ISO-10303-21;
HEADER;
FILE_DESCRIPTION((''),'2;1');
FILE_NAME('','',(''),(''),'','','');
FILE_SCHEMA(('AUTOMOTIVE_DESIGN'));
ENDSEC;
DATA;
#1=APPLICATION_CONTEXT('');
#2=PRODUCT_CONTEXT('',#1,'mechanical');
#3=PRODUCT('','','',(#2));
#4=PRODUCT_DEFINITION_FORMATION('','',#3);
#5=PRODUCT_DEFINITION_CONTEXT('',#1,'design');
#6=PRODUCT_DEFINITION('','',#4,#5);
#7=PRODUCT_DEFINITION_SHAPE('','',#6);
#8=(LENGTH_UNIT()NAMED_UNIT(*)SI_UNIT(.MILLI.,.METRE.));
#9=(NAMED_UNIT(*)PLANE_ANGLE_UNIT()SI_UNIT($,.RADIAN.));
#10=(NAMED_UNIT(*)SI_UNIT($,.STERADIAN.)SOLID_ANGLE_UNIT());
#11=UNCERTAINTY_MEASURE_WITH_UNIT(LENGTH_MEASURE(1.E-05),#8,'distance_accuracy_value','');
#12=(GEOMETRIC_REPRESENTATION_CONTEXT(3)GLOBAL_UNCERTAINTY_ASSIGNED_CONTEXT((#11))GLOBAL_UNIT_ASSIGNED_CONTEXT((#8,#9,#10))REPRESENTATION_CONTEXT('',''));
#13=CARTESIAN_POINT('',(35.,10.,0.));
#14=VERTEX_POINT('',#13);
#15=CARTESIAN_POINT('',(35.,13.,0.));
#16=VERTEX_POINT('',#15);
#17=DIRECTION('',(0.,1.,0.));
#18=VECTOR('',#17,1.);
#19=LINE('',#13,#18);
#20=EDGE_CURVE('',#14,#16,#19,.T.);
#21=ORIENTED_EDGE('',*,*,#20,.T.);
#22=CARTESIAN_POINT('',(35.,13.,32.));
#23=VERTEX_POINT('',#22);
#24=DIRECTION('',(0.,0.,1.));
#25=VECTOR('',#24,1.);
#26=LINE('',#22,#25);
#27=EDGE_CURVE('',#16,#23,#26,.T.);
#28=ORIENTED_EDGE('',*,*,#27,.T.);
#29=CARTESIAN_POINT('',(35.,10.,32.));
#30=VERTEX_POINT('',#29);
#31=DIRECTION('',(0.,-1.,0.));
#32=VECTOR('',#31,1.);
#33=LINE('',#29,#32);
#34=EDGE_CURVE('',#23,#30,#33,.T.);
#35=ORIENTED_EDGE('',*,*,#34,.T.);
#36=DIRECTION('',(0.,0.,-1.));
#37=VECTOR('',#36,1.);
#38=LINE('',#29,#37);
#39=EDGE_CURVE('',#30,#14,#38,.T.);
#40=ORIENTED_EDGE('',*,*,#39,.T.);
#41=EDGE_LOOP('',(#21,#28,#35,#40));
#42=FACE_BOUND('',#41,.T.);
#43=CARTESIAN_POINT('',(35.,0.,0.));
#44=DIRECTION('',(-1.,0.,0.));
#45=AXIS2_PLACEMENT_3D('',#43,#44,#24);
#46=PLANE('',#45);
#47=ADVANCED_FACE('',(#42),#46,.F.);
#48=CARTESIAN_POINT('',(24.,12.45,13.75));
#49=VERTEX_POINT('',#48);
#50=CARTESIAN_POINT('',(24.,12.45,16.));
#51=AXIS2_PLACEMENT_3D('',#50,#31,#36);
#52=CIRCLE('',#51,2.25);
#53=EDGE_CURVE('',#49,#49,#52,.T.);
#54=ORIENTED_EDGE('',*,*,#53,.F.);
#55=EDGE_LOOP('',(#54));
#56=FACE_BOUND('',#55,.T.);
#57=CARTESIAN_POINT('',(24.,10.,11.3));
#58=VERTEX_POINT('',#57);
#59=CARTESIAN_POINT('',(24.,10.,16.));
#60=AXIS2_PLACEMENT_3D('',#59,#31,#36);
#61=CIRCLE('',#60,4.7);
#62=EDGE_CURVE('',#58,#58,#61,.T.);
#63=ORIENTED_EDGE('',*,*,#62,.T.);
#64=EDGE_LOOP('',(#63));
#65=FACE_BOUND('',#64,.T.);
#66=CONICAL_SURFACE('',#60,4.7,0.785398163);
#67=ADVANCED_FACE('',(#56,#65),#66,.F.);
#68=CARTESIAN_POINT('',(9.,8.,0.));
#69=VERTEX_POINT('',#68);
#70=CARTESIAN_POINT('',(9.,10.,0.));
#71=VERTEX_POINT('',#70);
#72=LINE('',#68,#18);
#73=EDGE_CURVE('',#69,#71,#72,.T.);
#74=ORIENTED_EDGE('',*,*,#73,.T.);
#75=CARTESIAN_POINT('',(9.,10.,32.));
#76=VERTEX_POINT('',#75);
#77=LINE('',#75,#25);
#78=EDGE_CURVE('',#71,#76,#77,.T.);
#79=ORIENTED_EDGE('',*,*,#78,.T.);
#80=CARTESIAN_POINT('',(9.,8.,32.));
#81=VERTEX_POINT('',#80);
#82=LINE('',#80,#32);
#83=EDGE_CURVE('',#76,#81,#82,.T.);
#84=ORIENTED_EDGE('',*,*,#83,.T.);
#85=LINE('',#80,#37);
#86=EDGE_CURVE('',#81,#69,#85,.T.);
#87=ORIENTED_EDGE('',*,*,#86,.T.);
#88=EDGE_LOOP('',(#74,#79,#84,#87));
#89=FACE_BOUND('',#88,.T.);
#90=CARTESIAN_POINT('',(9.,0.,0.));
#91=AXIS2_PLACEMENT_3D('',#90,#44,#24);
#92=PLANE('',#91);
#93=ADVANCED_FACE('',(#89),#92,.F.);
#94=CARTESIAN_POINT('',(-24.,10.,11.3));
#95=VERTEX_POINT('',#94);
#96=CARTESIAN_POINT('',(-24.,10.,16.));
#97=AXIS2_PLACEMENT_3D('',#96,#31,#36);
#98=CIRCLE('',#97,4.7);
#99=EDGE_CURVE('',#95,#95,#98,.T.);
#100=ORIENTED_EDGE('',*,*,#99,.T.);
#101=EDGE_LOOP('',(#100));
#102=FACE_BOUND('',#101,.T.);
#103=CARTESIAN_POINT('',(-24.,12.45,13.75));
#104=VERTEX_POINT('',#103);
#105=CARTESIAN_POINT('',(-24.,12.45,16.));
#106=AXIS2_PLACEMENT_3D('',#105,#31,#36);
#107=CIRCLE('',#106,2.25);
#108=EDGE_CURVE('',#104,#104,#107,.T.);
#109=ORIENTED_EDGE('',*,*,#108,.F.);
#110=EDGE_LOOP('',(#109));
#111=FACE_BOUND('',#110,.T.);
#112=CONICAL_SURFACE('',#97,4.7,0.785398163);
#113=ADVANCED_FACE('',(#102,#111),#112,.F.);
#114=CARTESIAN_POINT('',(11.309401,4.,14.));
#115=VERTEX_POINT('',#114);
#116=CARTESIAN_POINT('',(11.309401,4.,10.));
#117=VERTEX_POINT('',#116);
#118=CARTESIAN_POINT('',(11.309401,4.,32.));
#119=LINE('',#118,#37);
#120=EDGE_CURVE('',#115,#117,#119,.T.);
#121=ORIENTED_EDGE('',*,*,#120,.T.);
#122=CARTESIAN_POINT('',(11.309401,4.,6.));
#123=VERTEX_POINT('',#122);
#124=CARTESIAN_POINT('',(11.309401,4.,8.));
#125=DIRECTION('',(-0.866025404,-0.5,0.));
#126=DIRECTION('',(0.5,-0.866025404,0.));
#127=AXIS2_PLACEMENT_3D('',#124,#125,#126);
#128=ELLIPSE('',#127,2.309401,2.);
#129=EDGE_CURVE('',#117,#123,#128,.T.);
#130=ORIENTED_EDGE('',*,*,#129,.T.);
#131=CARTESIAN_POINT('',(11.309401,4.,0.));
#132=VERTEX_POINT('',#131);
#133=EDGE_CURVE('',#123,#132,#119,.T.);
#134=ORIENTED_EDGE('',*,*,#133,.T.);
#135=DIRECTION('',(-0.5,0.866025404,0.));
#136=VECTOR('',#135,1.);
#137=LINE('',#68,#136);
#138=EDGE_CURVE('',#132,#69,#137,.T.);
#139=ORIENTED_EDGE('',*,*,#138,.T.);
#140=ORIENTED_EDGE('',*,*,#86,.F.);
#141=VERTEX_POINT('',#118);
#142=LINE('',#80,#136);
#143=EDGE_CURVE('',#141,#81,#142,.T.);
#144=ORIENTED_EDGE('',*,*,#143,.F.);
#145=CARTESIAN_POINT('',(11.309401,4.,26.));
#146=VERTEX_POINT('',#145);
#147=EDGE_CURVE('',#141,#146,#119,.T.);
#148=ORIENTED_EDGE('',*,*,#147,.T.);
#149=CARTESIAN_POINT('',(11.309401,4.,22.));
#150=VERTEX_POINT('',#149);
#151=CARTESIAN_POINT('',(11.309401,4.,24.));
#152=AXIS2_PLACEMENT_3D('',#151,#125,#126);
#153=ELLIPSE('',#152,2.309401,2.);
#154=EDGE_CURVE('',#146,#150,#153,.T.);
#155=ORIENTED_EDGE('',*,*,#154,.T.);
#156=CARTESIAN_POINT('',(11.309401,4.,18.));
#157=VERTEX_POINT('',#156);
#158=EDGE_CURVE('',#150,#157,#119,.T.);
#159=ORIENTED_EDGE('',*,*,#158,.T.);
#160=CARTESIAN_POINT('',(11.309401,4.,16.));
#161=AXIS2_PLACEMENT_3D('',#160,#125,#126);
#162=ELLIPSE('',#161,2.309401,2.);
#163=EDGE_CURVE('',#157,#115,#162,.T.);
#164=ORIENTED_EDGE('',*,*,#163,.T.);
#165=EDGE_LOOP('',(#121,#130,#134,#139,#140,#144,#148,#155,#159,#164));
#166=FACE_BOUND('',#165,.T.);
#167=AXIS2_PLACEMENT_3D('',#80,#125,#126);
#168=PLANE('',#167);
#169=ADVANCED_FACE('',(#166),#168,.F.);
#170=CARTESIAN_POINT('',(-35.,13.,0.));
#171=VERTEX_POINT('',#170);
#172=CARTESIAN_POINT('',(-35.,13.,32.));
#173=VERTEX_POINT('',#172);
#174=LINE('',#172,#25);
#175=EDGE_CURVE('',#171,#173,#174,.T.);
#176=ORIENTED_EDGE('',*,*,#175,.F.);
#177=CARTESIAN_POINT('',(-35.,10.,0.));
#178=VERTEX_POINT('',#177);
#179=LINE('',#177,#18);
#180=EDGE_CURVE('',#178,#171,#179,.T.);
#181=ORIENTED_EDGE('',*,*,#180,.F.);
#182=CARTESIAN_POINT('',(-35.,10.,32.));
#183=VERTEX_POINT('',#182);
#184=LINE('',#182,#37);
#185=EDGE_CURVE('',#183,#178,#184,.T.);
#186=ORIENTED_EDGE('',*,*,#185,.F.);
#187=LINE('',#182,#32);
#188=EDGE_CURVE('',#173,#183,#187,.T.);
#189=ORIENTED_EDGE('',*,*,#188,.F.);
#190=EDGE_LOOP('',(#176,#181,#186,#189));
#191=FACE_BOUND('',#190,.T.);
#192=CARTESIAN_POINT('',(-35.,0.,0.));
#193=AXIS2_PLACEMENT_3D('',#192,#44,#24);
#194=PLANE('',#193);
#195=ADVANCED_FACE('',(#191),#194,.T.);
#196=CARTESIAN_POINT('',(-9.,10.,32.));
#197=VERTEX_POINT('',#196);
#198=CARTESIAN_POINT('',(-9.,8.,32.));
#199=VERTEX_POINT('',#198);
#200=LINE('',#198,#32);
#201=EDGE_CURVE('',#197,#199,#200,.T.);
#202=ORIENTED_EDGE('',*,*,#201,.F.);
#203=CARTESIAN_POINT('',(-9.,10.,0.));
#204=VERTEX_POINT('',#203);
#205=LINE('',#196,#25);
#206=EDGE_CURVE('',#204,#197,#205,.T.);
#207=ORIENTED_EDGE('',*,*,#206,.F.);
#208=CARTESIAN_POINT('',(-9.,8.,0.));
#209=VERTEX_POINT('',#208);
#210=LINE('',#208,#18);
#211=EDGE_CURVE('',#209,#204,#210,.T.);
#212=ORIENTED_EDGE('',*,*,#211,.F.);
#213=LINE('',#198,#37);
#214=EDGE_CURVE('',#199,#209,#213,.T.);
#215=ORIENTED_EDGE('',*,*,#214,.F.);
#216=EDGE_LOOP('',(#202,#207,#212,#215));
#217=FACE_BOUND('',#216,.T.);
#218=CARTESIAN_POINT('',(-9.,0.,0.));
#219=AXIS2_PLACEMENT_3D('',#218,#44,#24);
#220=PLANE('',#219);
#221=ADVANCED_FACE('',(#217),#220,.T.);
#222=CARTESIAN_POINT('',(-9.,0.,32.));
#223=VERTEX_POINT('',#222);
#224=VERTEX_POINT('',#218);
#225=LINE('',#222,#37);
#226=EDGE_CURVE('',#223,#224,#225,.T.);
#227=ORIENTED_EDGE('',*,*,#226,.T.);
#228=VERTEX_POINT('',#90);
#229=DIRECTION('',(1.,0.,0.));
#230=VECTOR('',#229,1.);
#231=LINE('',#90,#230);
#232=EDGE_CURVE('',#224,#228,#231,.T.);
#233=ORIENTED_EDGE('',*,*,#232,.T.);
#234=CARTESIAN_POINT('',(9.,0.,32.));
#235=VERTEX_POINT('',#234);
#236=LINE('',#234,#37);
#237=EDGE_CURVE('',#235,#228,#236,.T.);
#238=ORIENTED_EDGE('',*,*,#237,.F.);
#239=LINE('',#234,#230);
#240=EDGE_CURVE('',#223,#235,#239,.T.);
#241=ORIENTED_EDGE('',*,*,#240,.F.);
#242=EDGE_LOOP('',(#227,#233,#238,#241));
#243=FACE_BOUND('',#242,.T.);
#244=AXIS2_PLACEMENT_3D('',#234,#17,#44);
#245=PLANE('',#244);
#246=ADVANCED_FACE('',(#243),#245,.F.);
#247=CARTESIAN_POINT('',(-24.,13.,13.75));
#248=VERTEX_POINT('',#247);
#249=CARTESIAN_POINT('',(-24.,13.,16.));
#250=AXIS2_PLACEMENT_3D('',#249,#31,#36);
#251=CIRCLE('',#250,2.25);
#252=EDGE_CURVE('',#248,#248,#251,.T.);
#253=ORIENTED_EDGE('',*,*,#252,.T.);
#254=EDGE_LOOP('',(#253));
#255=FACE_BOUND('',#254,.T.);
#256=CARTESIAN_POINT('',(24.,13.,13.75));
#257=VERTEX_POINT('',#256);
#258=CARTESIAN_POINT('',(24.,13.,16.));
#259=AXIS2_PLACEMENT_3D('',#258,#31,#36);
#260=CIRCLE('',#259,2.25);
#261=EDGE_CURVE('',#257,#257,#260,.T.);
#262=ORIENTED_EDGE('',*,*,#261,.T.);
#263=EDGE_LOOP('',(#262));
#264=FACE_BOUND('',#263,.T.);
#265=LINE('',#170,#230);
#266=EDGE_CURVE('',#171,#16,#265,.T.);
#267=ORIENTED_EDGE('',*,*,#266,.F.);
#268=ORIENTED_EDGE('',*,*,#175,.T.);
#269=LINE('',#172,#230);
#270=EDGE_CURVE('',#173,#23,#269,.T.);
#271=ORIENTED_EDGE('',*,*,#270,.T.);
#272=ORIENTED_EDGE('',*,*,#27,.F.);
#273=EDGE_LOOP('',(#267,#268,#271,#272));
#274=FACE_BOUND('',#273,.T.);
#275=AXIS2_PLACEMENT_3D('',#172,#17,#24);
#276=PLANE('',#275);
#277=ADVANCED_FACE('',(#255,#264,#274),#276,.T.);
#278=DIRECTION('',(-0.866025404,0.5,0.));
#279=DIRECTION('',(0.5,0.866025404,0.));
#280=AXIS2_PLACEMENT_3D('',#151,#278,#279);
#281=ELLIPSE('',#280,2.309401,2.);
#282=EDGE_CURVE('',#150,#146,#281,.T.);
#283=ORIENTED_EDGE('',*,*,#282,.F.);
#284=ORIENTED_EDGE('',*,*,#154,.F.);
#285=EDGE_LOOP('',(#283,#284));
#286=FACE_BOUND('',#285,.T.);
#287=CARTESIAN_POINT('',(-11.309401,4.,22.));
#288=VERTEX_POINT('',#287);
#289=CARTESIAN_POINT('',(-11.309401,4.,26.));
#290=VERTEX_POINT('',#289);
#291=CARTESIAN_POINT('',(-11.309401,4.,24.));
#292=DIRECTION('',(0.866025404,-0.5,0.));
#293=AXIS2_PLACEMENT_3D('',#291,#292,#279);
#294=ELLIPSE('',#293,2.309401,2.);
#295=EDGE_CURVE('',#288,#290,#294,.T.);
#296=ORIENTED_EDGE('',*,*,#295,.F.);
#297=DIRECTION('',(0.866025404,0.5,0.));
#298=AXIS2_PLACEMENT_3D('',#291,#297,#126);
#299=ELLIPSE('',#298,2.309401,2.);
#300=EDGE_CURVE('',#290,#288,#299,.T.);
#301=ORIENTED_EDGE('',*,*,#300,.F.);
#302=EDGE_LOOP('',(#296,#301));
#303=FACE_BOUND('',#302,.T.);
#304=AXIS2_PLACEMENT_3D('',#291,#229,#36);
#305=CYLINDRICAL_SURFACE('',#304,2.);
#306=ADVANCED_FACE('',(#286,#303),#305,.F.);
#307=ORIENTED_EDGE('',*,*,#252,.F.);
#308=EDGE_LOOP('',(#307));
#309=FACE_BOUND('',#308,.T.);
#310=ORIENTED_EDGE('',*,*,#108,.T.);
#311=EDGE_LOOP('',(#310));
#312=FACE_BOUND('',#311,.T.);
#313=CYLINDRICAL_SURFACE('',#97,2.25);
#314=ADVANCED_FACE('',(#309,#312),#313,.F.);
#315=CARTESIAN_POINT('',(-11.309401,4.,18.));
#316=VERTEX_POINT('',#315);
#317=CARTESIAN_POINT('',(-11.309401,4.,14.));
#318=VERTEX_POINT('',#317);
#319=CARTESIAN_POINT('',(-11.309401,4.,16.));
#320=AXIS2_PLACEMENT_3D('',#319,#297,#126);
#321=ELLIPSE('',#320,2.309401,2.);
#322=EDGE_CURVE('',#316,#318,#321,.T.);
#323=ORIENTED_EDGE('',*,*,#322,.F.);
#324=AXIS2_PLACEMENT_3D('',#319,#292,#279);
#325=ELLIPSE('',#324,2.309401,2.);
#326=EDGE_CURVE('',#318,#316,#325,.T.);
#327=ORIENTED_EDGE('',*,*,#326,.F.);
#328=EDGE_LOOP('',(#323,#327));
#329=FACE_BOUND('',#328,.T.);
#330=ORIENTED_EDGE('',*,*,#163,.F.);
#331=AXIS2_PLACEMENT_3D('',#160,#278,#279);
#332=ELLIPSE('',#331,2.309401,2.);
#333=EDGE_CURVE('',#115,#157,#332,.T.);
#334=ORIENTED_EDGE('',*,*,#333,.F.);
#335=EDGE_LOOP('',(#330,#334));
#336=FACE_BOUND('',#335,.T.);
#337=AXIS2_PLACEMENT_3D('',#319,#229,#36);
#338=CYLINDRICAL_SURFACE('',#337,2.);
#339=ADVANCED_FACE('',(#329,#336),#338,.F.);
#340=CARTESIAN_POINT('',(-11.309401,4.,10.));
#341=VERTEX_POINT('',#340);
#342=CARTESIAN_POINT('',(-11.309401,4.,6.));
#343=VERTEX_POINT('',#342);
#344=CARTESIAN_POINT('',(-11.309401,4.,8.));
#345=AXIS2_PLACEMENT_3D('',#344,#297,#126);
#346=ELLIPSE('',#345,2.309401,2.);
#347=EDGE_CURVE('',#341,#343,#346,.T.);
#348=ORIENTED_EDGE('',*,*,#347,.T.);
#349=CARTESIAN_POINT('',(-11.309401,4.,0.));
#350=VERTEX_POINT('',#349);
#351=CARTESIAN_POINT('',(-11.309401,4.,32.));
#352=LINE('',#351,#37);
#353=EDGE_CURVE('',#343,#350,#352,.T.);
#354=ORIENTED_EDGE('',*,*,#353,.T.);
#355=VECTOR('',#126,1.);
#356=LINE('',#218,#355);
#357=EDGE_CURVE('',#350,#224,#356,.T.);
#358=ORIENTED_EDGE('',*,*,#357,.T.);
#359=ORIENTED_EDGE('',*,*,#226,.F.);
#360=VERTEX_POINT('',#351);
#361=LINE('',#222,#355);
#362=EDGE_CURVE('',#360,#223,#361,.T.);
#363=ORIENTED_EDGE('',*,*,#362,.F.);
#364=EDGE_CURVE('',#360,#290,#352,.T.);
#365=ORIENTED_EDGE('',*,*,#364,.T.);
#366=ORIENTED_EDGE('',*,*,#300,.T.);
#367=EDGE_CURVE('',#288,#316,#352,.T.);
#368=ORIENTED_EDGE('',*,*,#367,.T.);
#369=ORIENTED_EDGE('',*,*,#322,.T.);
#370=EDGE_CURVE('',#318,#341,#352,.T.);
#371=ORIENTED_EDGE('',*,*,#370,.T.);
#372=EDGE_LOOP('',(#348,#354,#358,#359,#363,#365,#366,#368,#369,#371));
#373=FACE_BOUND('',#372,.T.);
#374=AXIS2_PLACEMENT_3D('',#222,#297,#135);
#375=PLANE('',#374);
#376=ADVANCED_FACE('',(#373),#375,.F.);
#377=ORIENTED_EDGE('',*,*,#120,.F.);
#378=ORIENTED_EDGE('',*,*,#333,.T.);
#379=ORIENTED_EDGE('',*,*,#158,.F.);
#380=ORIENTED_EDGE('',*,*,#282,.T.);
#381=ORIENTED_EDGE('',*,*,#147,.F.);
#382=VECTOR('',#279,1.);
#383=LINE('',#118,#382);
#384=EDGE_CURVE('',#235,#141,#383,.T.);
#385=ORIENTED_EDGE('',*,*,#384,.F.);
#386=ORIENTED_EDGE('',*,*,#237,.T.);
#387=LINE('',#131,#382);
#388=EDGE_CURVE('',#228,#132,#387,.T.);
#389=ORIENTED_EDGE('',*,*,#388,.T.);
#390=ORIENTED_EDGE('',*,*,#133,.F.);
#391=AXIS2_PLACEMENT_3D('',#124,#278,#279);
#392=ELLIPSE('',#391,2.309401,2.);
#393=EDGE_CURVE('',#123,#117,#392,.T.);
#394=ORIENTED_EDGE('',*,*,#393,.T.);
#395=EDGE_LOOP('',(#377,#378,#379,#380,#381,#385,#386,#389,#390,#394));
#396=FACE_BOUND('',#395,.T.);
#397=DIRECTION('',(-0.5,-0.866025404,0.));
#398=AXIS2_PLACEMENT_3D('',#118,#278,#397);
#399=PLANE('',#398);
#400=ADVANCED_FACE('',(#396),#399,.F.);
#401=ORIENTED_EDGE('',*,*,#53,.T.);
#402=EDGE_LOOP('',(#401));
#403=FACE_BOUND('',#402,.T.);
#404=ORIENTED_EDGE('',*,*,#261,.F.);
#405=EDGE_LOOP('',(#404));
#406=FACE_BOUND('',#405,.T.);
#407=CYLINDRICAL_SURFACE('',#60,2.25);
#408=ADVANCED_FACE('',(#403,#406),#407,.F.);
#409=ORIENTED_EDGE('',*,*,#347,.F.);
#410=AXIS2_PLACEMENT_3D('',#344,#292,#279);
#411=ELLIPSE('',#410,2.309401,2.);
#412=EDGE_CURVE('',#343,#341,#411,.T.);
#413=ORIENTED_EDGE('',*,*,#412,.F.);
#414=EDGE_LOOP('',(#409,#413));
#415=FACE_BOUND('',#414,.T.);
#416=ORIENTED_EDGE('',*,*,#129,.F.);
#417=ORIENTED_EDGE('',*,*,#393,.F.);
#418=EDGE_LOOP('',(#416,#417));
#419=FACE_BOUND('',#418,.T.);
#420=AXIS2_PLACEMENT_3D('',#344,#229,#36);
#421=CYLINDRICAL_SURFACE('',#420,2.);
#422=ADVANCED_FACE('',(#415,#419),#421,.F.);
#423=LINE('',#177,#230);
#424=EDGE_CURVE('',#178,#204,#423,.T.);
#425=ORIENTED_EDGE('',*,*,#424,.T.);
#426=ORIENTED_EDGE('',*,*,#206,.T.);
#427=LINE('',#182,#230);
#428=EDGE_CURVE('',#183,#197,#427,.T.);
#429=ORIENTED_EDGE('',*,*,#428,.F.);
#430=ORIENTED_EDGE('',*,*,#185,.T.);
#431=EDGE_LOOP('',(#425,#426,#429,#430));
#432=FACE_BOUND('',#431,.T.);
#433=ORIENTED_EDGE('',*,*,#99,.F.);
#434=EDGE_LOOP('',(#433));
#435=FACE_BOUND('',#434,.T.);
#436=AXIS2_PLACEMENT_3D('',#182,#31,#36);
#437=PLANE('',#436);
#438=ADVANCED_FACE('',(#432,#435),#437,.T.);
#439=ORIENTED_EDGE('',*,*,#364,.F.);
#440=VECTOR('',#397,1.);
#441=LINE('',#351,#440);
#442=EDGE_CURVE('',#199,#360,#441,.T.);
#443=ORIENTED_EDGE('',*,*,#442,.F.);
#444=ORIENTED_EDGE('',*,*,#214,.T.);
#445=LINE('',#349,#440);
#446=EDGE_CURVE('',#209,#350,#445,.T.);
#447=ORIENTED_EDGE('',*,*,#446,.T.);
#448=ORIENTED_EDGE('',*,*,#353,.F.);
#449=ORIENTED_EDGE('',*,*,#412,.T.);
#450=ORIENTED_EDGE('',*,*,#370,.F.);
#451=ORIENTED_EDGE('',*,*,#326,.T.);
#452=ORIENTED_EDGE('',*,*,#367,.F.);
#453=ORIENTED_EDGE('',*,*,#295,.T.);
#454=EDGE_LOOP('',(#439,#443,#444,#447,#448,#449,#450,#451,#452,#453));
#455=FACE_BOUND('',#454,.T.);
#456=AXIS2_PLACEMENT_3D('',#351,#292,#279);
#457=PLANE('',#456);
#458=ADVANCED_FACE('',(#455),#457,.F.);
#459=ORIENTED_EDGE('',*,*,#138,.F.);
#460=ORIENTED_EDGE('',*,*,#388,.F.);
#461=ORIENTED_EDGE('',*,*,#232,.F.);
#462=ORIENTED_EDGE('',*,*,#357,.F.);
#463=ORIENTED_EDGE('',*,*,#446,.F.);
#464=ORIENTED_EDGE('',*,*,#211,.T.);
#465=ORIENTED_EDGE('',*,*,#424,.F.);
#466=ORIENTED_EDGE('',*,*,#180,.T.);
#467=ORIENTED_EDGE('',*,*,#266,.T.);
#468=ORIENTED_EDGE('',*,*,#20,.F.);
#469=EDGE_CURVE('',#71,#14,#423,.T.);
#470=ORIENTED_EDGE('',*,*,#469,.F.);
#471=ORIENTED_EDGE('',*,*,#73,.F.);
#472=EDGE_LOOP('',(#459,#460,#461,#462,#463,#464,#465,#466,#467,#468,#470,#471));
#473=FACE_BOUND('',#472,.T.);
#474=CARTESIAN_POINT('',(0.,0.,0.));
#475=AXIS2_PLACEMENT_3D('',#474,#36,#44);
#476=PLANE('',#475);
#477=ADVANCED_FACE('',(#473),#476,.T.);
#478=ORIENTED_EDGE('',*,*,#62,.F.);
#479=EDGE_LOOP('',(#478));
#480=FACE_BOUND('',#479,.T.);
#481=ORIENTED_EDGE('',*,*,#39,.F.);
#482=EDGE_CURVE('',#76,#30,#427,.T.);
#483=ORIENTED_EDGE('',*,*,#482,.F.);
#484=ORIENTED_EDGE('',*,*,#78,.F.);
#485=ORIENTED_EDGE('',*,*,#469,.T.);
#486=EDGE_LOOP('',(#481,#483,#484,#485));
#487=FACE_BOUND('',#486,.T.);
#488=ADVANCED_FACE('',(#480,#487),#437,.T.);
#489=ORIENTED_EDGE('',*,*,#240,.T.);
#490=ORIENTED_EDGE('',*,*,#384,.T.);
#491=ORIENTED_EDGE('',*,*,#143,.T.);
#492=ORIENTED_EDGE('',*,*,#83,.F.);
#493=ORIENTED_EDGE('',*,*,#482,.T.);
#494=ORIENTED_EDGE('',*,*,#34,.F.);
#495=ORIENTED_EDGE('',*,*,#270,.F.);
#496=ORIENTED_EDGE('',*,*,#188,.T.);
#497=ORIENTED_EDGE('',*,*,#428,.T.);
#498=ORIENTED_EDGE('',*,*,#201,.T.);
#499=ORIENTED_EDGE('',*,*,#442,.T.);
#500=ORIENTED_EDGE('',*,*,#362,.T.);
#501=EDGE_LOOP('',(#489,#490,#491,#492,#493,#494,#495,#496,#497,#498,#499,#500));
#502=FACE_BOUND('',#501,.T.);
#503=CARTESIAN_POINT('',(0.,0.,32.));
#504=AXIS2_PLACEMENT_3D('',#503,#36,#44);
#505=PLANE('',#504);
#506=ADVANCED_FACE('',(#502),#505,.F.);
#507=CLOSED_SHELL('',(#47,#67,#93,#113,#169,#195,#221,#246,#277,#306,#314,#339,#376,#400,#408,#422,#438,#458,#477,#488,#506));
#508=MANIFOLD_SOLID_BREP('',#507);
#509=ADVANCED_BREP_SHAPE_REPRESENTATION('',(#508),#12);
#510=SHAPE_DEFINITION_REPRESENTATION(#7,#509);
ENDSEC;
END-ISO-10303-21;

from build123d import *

# Parameters (mm, degrees)
BOSS_EXTRUDE1_DEPTH                          = 32
SKETCH2_R                                    = 2
CUT_EXTRUDE1_DEPTH                           = 35.869794274
LPATTERN1_COUNT                              = 3
LPATTERN1_PITCH                              = 8
BOSS_EXTRUDE2_DEPTH                          = 9
BOSS_EXTRUDE2_DEPTH_BACK                     = 9
SKETCH3_W                                    = 32
SKETCH3_H                                    = 2
BOSS_EXTRUDE3_DEPTH                          = 35
BOSS_EXTRUDE3_DEPTH_BACK                     = 35
SKETCH4_W                                    = 32
SKETCH4_H                                    = 3
CSK_FOR_M4_COUNTERSUNK_FLAT_HEAD_SCR_2_COUNT = 2
CSK_FOR_M4_COUNTERSUNK_FLAT_HEAD_SCR_2_PITCH = 48


with BuildPart() as part:
    # Sketch1 → Boss-Extrude1 (new body)
    with BuildSketch(Plane.XY):
        Polygon((9, 0), (-9, 0), (-11.309401077, 4), (-9, 8), (9, 8), (11.309401077, 4), align=None)
    extrude(amount=BOSS_EXTRUDE1_DEPTH)

    # Sketch2 → Cut-Extrude1 (cut, symmetric)
    with BuildSketch(Plane(origin=(0, 0, 0), x_dir=(0, 0, -1), z_dir=(1, 0, 0))):
        with Locations((-24, 4)):
            Circle(SKETCH2_R)
    cut_extrude1 = extrude(amount=CUT_EXTRUDE1_DEPTH, both=True, mode=Mode.SUBTRACT)

    # LPattern1: Cut-Extrude1 ×3
    with Locations(*[(0, 0, -i * LPATTERN1_PITCH) for i in range(1, LPATTERN1_COUNT)]):
        add(cut_extrude1, mode=Mode.SUBTRACT)

    # Sketch3 → Boss-Extrude2 (add, two sides: drawn at the far end of the back side and taken through both)
    with BuildSketch(Plane(origin=(0, 0, 0), x_dir=(0, 0, -1), z_dir=(1, 0, 0)).offset(-BOSS_EXTRUDE2_DEPTH_BACK)):
        with Locations((-16, 9)):
            Rectangle(SKETCH3_W, SKETCH3_H)
    extrude(amount=BOSS_EXTRUDE2_DEPTH + BOSS_EXTRUDE2_DEPTH_BACK)

    # Sketch4 → Boss-Extrude3 (add, two sides: drawn at the far end of the back side and taken through both)
    with BuildSketch(Plane(origin=(0, 0, 0), x_dir=(0, 0, -1), z_dir=(1, 0, 0)).offset(-BOSS_EXTRUDE3_DEPTH_BACK)):
        with Locations((-16, 11.5)):
            Rectangle(SKETCH4_W, SKETCH4_H)
    extrude(amount=BOSS_EXTRUDE3_DEPTH + BOSS_EXTRUDE3_DEPTH_BACK)

    # Skizze3 → CSK for M4 Countersunk Flat Head Screw1 (revolve, cut)
    with BuildSketch(Plane(origin=(24, 10, 16), x_dir=(0, 0, -1), z_dir=(1, 0, 0))):
        Polygon((0, 0), (0, 3), (2.25, 3), (2.25, 2.45), (4.7, 0), align=None)
    csk_for_m4_countersunk_flat_head_screw1 = revolve(axis=Axis((24, 3.65, 16), (0, 1, 0)), mode=Mode.SUBTRACT)

    # CSK for M4 Countersunk Flat Head Scr 2: CSK for M4 Countersunk Flat Head Screw1 ×2
    with Locations(*[(-i * CSK_FOR_M4_COUNTERSUNK_FLAT_HEAD_SCR_2_PITCH, 0, 0) for i in range(1, CSK_FOR_M4_COUNTERSUNK_FLAT_HEAD_SCR_2_COUNT)]):
        add(csk_for_m4_countersunk_flat_head_screw1, mode=Mode.SUBTRACT)


solid = part.part
